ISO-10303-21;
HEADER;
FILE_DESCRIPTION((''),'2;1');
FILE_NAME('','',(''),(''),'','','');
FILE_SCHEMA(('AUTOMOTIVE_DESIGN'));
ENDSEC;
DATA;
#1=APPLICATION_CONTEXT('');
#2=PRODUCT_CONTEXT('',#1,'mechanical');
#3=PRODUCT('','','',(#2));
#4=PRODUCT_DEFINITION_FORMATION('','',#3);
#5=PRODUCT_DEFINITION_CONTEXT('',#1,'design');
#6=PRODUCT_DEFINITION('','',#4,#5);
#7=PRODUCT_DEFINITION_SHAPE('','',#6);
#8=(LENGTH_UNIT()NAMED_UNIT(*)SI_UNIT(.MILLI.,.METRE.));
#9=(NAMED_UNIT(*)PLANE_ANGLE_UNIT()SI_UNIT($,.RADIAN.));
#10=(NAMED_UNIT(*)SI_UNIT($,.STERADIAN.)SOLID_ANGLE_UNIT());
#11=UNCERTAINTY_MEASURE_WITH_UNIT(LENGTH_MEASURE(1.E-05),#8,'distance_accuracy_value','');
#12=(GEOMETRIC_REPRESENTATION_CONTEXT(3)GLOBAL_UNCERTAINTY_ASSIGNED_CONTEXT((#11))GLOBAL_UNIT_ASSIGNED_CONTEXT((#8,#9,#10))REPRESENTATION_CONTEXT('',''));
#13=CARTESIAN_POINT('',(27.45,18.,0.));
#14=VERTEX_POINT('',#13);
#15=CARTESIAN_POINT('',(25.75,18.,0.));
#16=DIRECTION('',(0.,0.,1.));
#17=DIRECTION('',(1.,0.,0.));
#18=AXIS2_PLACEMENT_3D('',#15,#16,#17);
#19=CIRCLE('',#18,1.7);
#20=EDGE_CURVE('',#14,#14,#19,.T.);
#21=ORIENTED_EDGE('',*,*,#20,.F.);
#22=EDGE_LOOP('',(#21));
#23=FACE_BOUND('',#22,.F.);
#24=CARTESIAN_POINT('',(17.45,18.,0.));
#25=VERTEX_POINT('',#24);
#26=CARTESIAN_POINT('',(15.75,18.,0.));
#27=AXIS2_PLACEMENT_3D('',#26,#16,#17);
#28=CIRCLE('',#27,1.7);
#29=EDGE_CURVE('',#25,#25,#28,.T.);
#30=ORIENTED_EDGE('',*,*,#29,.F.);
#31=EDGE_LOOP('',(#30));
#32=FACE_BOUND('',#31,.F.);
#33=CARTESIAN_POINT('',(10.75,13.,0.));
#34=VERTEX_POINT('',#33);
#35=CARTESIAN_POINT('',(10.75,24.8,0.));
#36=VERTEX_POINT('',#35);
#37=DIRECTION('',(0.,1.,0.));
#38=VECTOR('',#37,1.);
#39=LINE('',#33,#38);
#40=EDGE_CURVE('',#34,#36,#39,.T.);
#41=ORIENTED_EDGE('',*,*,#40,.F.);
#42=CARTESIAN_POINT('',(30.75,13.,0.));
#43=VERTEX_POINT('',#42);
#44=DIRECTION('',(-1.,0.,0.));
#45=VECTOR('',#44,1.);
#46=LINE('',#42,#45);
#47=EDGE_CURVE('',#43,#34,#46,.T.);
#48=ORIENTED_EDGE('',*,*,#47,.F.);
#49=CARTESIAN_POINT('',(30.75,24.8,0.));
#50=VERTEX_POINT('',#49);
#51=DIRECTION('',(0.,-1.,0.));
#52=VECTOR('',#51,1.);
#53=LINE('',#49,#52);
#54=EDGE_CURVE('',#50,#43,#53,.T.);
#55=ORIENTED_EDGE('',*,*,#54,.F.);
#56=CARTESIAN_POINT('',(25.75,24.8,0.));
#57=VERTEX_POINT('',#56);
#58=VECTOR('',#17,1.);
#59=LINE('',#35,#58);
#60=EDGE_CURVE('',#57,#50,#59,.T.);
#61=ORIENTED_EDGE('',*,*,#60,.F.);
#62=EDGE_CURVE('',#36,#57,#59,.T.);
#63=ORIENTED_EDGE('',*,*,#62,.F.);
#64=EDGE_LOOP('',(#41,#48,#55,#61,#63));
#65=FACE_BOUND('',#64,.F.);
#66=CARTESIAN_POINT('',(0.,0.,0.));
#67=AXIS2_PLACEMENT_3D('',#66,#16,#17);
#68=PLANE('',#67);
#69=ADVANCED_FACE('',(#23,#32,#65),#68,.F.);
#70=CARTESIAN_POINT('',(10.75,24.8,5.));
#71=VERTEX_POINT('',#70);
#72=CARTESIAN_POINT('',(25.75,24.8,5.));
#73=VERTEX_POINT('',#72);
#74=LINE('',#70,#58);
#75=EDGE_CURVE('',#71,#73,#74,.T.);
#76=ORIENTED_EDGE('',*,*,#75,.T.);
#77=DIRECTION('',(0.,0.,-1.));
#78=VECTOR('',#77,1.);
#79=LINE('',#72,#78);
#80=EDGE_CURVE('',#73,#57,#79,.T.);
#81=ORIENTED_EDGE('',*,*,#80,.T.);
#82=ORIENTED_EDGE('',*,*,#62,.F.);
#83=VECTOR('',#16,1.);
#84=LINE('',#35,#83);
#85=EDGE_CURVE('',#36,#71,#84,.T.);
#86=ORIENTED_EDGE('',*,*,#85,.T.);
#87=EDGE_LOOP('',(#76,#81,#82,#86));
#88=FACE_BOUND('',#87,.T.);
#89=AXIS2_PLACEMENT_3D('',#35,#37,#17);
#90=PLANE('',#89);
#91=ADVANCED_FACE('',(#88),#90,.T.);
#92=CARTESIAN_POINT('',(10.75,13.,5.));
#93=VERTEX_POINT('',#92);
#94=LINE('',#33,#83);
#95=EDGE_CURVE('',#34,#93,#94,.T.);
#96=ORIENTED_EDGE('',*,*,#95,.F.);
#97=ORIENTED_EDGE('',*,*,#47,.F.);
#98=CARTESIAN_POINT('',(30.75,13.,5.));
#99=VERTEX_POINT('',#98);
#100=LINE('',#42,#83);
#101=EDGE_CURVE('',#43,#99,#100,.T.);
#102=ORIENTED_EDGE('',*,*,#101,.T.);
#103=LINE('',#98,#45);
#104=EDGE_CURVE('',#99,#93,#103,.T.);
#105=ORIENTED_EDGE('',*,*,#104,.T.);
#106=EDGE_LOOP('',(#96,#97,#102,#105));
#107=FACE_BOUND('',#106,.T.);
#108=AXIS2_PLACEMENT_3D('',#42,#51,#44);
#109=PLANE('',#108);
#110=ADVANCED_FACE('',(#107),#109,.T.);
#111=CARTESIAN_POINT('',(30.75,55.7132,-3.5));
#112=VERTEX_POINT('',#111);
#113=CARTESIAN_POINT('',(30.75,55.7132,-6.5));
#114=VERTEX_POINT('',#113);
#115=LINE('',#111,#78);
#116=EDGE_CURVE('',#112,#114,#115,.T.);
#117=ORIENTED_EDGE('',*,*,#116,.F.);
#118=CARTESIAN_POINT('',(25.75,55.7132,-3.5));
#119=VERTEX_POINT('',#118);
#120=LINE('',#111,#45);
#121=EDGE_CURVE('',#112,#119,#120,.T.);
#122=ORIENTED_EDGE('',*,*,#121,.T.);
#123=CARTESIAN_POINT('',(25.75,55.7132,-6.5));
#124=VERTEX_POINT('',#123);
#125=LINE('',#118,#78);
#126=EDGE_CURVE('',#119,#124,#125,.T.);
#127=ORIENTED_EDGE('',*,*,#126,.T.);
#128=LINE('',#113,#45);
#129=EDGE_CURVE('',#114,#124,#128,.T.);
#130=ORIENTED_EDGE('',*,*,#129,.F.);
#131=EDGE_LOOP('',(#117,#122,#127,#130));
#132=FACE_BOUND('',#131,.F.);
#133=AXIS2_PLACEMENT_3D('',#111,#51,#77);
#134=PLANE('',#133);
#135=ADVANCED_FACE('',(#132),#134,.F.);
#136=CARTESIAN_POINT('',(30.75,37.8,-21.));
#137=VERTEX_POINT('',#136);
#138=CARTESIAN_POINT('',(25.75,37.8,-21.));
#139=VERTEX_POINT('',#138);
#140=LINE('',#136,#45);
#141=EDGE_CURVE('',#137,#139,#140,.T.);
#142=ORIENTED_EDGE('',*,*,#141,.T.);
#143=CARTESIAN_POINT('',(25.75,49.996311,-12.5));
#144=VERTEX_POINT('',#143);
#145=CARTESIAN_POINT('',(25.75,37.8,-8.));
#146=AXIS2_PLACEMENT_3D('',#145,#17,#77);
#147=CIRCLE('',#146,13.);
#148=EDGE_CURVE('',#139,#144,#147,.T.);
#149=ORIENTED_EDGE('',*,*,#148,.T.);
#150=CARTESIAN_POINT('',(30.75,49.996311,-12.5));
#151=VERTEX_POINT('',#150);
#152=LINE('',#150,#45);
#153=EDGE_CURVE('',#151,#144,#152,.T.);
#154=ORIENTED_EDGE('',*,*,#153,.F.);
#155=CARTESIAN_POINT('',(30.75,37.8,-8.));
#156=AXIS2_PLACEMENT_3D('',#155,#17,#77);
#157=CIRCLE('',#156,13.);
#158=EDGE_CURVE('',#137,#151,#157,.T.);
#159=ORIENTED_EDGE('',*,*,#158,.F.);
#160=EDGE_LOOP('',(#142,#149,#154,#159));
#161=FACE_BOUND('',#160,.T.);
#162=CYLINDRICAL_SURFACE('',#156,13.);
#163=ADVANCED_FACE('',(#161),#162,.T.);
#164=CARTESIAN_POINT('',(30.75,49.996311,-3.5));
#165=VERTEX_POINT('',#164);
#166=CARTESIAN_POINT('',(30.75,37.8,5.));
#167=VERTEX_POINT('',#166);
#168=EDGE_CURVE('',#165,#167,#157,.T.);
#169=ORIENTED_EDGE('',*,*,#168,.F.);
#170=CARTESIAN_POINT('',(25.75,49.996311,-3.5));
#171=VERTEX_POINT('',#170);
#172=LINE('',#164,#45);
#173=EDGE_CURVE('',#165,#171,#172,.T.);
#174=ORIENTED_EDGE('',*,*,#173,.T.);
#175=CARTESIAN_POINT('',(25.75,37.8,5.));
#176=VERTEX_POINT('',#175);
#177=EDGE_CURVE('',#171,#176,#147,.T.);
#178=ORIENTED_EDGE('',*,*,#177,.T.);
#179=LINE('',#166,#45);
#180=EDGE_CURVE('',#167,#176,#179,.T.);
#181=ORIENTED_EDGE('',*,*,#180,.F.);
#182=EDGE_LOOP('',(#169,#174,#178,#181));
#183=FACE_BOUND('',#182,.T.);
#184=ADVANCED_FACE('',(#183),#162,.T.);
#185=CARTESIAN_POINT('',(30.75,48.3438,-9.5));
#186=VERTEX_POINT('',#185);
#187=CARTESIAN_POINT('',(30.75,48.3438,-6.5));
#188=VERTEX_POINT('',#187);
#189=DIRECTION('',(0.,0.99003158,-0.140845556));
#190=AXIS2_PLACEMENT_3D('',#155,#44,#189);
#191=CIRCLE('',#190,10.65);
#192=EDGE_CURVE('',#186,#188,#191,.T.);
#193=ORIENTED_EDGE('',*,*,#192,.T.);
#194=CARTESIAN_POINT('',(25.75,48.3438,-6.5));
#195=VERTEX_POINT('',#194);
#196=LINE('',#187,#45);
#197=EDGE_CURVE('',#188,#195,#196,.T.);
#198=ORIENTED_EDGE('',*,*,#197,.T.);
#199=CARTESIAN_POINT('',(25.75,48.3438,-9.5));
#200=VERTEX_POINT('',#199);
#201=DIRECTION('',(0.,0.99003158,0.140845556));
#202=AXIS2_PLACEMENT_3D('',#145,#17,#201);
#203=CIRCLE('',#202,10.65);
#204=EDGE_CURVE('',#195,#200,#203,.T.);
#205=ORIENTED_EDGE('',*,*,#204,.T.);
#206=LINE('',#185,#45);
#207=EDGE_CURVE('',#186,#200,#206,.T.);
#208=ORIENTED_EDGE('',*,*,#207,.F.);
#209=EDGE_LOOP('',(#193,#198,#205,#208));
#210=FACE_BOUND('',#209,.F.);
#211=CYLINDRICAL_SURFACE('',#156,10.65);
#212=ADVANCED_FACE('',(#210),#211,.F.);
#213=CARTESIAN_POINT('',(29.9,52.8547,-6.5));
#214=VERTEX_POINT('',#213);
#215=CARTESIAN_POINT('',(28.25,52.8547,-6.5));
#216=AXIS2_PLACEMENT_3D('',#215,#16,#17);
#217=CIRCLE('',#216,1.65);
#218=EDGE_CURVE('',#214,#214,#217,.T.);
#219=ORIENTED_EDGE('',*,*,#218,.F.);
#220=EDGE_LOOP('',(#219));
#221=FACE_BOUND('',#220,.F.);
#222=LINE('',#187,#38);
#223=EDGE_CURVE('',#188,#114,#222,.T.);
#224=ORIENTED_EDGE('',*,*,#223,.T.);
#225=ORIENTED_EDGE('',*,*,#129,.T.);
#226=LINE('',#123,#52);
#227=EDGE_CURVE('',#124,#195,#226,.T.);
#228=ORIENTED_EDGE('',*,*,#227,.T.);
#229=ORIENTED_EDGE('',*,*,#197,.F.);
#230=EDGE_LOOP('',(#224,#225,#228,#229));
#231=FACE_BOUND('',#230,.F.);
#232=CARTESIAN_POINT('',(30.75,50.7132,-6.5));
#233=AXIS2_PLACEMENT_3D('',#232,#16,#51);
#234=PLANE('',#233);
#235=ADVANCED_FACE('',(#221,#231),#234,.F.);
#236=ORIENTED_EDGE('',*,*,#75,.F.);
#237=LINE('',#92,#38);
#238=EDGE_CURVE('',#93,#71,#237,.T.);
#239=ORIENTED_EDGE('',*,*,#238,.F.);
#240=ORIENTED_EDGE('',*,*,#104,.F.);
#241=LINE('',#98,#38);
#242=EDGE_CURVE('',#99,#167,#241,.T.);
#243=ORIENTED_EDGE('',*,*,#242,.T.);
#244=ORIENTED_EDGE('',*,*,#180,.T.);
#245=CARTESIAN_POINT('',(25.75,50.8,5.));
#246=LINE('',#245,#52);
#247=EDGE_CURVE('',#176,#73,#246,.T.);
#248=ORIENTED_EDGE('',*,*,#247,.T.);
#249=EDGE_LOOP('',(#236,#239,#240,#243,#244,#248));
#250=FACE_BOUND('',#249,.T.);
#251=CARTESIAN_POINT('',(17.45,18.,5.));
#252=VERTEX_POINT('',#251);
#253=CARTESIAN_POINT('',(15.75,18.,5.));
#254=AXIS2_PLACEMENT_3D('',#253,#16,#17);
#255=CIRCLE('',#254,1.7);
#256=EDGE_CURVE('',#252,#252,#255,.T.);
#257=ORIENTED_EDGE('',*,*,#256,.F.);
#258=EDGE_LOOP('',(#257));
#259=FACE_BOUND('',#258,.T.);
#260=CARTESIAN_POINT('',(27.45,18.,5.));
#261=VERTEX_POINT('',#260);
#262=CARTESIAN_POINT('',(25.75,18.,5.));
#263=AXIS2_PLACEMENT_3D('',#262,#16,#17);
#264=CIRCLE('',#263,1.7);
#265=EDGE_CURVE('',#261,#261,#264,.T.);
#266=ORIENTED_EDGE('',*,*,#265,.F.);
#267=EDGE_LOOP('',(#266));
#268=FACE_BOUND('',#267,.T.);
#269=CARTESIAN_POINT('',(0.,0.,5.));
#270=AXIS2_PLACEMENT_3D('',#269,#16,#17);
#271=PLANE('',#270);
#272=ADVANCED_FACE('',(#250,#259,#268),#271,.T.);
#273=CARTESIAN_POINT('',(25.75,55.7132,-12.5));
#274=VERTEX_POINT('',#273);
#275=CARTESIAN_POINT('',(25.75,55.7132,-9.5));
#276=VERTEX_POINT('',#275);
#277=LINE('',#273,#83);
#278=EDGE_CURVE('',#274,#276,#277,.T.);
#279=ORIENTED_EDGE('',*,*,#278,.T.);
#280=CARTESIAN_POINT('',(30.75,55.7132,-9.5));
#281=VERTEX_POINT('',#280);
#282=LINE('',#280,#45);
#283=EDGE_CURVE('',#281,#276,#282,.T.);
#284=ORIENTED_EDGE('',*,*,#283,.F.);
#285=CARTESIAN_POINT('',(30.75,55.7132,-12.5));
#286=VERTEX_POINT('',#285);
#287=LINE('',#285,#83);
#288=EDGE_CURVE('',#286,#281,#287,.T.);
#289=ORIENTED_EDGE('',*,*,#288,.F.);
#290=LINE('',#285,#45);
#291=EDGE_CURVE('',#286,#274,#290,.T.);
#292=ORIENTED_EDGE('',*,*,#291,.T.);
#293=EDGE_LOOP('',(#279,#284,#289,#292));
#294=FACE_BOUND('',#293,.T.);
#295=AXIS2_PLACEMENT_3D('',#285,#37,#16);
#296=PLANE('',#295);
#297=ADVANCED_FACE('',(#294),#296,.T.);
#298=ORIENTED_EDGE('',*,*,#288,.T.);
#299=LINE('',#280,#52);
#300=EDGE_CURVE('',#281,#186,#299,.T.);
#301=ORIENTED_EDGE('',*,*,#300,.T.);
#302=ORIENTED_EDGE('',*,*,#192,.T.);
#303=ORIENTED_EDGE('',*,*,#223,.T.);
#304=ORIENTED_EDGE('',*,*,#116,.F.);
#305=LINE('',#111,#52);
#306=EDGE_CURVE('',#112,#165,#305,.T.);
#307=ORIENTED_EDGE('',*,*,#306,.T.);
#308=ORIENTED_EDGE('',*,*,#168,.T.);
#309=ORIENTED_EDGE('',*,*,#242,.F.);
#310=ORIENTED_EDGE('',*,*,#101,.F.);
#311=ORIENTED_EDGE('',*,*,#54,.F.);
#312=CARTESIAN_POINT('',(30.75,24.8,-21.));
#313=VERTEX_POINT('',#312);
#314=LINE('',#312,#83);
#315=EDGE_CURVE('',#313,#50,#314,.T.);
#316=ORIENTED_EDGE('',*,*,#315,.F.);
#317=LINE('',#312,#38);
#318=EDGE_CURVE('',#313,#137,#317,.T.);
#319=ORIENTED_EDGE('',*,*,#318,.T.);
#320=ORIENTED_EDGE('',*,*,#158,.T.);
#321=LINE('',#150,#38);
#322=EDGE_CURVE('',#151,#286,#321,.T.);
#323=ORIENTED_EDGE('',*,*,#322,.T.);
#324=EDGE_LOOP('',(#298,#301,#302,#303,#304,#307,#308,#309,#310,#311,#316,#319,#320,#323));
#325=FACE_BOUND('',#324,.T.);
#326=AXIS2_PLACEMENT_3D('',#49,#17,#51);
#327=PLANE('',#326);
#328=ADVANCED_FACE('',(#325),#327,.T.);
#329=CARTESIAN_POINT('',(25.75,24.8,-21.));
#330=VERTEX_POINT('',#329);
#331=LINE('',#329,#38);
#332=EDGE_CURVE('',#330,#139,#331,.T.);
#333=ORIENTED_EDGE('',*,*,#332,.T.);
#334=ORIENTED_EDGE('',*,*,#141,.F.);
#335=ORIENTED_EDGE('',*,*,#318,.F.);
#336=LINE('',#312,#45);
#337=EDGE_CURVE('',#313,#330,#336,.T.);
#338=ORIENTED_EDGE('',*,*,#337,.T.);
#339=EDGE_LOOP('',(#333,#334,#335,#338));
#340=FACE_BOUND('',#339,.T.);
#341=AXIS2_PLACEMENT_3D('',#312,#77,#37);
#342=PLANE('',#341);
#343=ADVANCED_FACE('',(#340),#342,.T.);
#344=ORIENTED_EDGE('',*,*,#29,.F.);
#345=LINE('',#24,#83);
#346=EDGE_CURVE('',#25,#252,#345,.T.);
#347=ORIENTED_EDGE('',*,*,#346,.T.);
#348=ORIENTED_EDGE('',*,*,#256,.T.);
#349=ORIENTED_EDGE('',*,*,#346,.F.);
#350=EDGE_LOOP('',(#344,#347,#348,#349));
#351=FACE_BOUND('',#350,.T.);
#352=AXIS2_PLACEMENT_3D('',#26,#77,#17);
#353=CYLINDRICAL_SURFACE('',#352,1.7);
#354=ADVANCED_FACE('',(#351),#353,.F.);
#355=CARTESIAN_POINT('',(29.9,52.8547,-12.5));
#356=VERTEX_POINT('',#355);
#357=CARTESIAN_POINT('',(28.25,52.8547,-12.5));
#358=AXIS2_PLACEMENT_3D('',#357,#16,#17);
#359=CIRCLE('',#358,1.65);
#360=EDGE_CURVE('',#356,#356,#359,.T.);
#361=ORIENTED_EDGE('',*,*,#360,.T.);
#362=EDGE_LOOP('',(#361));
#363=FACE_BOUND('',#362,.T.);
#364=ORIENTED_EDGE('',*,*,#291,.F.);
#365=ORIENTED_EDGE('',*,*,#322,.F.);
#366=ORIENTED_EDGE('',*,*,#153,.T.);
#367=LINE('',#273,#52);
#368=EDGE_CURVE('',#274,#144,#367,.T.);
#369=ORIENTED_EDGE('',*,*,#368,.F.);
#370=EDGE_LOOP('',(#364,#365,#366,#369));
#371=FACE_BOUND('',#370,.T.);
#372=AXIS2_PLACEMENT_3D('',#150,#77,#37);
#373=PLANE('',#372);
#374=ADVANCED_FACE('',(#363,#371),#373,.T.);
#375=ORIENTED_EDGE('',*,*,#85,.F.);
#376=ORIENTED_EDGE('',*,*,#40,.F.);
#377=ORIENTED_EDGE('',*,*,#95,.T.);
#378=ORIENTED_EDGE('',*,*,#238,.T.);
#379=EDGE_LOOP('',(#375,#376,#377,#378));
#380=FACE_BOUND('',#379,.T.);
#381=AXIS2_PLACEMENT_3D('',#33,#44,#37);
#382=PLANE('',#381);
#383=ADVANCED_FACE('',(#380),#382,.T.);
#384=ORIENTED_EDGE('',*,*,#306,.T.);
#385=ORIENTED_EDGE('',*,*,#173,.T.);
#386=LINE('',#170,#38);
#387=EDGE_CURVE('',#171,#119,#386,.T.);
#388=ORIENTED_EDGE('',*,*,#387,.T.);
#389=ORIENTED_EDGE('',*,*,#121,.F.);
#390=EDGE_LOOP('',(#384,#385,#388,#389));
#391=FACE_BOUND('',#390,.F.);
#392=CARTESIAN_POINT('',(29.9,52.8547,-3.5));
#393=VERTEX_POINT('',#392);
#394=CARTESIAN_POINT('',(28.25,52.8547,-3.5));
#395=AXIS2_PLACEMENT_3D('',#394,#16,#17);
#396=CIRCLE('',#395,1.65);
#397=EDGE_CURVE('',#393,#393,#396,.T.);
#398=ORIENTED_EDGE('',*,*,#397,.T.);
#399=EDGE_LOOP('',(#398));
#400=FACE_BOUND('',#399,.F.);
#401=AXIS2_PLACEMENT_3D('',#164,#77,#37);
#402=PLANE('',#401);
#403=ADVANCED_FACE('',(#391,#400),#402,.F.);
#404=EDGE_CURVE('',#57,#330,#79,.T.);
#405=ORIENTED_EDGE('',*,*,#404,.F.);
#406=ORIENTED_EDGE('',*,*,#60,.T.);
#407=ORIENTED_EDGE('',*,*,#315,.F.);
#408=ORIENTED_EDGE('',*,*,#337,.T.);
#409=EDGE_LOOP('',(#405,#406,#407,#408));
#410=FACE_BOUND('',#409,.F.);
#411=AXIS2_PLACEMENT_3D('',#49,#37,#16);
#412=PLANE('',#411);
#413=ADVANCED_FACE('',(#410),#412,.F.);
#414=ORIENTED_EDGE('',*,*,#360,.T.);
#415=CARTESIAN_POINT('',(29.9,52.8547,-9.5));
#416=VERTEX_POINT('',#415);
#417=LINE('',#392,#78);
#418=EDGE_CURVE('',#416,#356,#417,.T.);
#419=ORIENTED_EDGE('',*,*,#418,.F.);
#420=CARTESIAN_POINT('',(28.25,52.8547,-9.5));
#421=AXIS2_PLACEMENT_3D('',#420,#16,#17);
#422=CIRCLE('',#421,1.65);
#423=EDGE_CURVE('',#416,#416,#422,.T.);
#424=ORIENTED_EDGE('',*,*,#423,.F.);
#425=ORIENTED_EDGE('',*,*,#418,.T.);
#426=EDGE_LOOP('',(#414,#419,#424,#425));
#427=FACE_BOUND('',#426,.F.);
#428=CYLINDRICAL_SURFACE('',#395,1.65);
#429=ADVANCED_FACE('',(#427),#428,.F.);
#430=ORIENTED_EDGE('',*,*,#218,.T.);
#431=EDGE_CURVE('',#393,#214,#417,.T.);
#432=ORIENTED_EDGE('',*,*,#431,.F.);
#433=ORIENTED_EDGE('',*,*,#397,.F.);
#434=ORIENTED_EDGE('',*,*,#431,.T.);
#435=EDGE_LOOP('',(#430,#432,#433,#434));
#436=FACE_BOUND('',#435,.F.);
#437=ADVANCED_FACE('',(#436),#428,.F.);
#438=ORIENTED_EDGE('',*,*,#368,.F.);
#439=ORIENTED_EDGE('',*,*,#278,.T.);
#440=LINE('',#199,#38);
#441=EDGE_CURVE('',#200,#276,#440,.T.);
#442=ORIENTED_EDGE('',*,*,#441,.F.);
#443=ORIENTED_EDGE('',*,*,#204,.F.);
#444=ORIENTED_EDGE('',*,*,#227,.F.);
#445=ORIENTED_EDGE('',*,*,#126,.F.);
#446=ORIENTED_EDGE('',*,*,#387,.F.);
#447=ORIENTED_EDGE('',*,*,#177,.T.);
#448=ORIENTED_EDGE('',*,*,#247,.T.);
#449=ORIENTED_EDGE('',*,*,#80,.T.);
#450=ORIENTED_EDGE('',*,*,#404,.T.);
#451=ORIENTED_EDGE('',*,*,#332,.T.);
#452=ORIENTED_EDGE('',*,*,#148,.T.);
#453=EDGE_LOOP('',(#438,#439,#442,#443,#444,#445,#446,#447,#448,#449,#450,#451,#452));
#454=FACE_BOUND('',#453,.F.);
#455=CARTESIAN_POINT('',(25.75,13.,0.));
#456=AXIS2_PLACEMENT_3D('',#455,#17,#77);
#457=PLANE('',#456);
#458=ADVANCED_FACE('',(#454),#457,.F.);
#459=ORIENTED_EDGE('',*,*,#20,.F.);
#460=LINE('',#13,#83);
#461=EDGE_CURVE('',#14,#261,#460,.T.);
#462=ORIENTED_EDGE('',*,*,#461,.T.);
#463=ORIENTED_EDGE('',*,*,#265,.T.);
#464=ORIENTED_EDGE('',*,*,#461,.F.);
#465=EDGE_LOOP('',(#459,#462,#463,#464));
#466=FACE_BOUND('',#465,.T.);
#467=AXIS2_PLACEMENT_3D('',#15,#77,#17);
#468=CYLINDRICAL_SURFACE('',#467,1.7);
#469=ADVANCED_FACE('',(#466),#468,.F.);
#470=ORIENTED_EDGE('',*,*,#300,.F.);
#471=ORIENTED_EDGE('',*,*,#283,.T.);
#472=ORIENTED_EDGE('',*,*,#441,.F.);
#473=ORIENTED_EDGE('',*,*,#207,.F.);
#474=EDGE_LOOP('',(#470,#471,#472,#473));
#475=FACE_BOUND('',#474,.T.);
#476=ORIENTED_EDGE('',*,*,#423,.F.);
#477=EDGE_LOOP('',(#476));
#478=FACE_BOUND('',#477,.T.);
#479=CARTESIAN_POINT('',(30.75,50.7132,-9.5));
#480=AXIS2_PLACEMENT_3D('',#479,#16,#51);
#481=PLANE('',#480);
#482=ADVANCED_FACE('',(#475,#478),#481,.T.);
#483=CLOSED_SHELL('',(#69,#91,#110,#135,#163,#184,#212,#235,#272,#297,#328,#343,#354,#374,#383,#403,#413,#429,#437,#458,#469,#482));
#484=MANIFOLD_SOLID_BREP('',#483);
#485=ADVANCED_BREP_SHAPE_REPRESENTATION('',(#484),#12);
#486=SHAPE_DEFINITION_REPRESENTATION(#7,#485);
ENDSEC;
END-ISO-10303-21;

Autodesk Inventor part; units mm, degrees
ref_plane "YZ Plane" through (0, 0, 0) normal (1, 0, 0) x (0, 1, 0)
ref_plane "XZ Plane" through (0, 0, 0) normal (0, 1, 0) x (-1, 0, 0)
ref_plane "XY Plane" through (0, 0, 0) normal (0, 0, 1) x (1, 0, 0)
ref_plane "Work Plane1" through (0, 0, 0) normal (0, 0, 1) x (1, 0, 0)
sketch "Sketch1" plane through (0, 0, 0) normal (0, 0, 1) x (1, 0, 0)
  circle A0 centre (25.75, 18) radius 1.7 projected
  circle A1 centre (-4.25, 18) radius 1.7 projected
  circle A2 centre (15.75, 18) radius 1.7 projected
  circle A3 centre (25.75, -18) radius 1.7 projected
  circle A4 centre (15.75, -18) radius 1.7 projected
  circle A5 centre (-4.25, -18) radius 1.7 projected
  line L0 (-12.45, 24.7) -> (32.45, 24.7) construction
  line L1 (-12.45, -24.7) -> (-12.45, 24.7) projected
  line L2 (-12.45, -24.7) -> (32.45, -24.7) projected
  line L3 (32.45, 24.7) -> (32.45, -24.7) projected
  circle A6 centre (-2.25, 0) radius 5.2 projected
  circle A7 centre (5.75, -18) radius 1.7 projected
  circle A8 centre (5.75, 18) radius 1.7 projected
  line L4 (10.75, 24.8) -> (30.75, 24.8)
  line L5 (30.75, 24.8) -> (30.75, 13)
  line L6 (30.75, 13) -> (10.75, 13)
  line L7 (10.75, 13) -> (10.75, 24.8)
  point P0 (0, 0)
  dimension "d0" = 5
  dimension "d1" = 5
  dimension "d2" = 5
  dimension "d3" = 0.1
extrude "Extrusion1" add sketch "Sketch1" along normal blind 5 contours L4 L5 L6 L7
sketch "Sketch2" plane through (30.75, 13, 0) normal (1, 0, 0) x (0, 0, -1)
  line L0 (0, 11.8) -> (-5, 11.8) projected
  line L1 (-5, 11.8) -> (21, 11.8)
  line L2 (21, 11.8) -> (21, 37.8)
  line L3 (21, 37.8) -> (-5, 37.8)
  line L4 (-5, 37.8) -> (-5, 11.8)
  circle A0 centre (8, 24.8) radius 10.65
  circle A1 centre (8, 24.8) radius 13
  line L5 (6.5, 37.7132) -> (6.5, 35.3438)
  line L6 (9.5, 37.7132) -> (9.5, 35.3438)
  line L7 (8, 37.8) -> (8, 24.8) construction
  line L8 (6.5, 35.3438) -> (3.5, 35.3438)
  line L9 (3.5, 35.3438) -> (3.5, 42.7132)
  line L10 (3.5, 42.7132) -> (6.5, 42.7132)
  line L11 (6.5, 42.7132) -> (6.5, 35.3438)
  line L12 (12.5, 35.3438) -> (12.5, 42.7132)
  line L13 (12.5, 42.7132) -> (9.5, 42.7132)
  line L14 (9.5, 42.7132) -> (9.5, 35.3438)
  line L15 (9.5, 35.3438) -> (12.5, 35.3438)
  point P0 (0, -13)
  point P1 (21, 24.8)
  point P2 (-5, 24.8)
  point P3 (21, 24.8)
  point P4 (12.5, 36.9963)
  point P5 (3.5, 36.9963)
  dimension "d6" = 26
  dimension "d7" = 26
  dimension "d8" = 21.3
  dimension "d9" = 3
  dimension "d10" = 3
  dimension "d11" = 5
extrude "Extrusion2" add sketch "Sketch2" against normal blind 5 contours L0 L4 A1 L1 | A1 L2 L1 | A1 L9 L8 A0 L15 L12 | L9 L3 L11 A1 | A1 L5 L8 L9 | L12 L15 L6 A1 | A1 L14 L3 L12 | L9 L10 L11 L3 | L3 L14 L13 L12
sketch "Sketch3" plane through (30.75, 49.9963, -3.5) normal (0, 0, 1) x (1, 0, 0)
  line L0 (0, 5.7169) -> (0, 0) projected
  line L1 (0, 5.7169) -> (-5, 5.7169) projected
  line L2 (-5, 0) -> (-5, 5.7169) projected
  line L3 (0, 0) -> (-5, 0) projected
  circle A0 centre (-2.5, 2.8584) radius 1.65
  point P0 (-30.75, -49.9963)
  point P1 (-5, 2.8584)
  point P2 (-2.5, 5.7169)
  dimension "d14" = 3.3
extrude "Extrusion3" cut sketch "Sketch3" against normal through all contours A0
equation "\"d6\" = d7"
properties part number "hopper motor holder"
